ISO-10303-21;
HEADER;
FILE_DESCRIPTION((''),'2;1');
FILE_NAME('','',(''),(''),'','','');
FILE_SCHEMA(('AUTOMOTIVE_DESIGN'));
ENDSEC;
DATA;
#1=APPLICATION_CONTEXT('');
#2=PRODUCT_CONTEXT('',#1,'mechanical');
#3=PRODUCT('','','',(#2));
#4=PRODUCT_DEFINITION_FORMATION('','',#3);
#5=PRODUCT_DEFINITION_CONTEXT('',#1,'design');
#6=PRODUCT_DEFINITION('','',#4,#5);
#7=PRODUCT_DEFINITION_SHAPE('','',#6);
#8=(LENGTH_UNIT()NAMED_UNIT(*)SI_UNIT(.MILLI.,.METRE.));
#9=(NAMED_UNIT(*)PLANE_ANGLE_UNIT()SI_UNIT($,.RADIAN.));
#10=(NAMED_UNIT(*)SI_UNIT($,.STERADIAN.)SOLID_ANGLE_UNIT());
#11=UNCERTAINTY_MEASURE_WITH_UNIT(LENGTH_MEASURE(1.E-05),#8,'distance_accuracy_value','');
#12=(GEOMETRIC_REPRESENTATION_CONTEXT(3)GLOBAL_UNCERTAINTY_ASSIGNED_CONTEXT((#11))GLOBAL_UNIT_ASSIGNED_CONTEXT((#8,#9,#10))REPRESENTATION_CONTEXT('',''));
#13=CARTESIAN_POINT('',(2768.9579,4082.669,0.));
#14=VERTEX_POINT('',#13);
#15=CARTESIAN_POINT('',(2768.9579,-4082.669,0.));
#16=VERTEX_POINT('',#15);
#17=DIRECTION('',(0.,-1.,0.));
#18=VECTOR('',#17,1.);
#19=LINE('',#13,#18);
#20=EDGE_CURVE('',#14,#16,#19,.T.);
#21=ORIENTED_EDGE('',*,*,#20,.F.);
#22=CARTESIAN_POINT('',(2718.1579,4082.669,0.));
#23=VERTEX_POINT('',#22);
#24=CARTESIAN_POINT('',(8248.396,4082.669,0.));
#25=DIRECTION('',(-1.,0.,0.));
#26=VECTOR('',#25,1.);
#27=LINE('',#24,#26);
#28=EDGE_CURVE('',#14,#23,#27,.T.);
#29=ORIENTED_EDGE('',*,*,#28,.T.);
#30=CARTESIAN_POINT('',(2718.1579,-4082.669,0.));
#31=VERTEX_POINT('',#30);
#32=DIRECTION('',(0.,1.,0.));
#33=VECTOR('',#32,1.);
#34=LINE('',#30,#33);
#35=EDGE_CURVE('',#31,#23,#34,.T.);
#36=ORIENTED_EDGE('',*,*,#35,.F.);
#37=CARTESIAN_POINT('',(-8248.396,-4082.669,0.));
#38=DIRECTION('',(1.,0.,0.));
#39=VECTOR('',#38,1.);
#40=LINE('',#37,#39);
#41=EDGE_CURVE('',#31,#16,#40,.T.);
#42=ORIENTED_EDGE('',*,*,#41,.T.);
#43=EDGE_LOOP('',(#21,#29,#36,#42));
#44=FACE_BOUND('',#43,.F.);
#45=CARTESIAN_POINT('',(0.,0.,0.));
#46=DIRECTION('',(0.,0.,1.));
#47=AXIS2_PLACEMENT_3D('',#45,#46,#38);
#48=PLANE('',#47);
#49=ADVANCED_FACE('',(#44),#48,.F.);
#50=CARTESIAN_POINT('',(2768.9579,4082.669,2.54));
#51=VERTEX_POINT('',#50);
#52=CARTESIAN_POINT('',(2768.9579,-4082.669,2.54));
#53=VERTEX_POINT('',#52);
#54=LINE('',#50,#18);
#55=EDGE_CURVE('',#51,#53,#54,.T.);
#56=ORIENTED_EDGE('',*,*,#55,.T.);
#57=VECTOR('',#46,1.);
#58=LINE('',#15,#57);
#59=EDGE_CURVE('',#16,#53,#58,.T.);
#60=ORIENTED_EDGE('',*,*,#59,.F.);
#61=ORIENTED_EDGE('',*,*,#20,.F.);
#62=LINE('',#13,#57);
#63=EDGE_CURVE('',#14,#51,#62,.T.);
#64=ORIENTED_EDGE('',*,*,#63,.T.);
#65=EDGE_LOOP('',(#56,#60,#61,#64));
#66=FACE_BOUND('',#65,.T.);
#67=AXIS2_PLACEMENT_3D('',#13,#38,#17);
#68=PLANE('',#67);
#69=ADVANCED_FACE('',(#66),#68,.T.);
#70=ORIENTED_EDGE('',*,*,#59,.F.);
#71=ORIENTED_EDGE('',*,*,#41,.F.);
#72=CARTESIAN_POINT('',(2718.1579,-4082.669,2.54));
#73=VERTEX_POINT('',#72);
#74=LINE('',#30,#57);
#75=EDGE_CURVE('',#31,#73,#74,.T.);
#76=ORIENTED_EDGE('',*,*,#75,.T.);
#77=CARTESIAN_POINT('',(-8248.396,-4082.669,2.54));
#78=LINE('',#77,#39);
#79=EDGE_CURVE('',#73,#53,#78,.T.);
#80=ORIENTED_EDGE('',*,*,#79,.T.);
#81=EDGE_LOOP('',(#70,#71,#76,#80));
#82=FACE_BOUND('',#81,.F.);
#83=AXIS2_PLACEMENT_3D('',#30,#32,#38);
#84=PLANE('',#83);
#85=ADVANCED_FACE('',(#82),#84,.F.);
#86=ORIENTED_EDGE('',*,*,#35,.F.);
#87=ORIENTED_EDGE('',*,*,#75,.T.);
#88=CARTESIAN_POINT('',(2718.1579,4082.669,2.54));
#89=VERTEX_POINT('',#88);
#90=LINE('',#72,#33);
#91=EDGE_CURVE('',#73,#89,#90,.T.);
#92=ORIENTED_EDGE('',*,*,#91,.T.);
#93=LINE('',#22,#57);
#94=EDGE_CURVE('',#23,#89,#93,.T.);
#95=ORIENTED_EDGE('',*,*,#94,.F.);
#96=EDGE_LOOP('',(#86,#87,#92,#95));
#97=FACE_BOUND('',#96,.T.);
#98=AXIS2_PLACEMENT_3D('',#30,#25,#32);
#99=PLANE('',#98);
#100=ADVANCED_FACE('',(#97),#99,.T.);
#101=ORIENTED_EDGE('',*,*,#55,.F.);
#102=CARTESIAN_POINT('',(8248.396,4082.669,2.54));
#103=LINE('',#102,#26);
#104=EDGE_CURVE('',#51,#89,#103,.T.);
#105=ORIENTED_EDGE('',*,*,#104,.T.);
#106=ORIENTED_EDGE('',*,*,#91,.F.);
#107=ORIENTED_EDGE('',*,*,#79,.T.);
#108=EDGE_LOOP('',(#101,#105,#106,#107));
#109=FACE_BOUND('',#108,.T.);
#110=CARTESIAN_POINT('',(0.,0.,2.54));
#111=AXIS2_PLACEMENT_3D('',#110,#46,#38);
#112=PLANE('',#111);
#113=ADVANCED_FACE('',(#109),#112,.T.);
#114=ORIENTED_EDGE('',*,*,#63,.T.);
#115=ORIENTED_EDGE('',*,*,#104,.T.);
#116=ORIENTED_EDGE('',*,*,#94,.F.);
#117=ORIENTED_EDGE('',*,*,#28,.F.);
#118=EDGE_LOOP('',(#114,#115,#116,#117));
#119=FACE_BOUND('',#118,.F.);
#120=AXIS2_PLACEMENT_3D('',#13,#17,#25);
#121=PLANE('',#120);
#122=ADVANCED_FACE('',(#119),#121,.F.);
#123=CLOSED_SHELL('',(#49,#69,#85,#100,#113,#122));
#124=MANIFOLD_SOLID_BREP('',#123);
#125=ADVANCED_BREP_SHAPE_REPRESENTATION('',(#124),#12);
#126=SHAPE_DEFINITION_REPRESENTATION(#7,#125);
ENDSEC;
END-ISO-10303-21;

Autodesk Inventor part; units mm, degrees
ref_plane "YZ Plane" through (0, 0, 0) normal (1, 0, 0) x (0, 1, 0)
ref_plane "XZ Plane" through (0, 0, 0) normal (0, 1, 0) x (-1, 0, 0)
ref_plane "XY Plane" through (0, 0, 0) normal (0, 0, 1) x (1, 0, 0)
ref_plane "Work Plane1" through (0, 0, 0) normal (0, 0, 1) x (1, 0, 0)
sketch "Sketch1" plane through (0, 0, 0) normal (0, 0, 1) x (1, 0, 0)
  line L0 (-8248.396, -4082.669) -> (8248.396, -4082.669) projected
  line L1 (8248.396, -4082.669) -> (8248.396, 4082.669) projected
  line L2 (8248.396, 4082.669) -> (-8248.396, 4082.669) projected
  line L3 (-8248.396, 4082.669) -> (-8248.396, -4082.669) projected
  line L4 (2718.1579, 4082.669) -> (2768.9579, 4082.669)
  line L5 (2768.9579, 4082.669) -> (2768.9579, -4082.669)
  line L6 (2768.9579, -4082.669) -> (2718.1579, -4082.669)
  line L7 (2718.1579, -4082.669) -> (2718.1579, 4082.669)
  point P0 (0, 0)
  dimension "d0" = 50.8
extrude "Extrusion1" add sketch "Sketch1" along normal blind 2.54 contours L7 L2 L5 L0
properties part number "BlueLine" material "ABS Plastic"
